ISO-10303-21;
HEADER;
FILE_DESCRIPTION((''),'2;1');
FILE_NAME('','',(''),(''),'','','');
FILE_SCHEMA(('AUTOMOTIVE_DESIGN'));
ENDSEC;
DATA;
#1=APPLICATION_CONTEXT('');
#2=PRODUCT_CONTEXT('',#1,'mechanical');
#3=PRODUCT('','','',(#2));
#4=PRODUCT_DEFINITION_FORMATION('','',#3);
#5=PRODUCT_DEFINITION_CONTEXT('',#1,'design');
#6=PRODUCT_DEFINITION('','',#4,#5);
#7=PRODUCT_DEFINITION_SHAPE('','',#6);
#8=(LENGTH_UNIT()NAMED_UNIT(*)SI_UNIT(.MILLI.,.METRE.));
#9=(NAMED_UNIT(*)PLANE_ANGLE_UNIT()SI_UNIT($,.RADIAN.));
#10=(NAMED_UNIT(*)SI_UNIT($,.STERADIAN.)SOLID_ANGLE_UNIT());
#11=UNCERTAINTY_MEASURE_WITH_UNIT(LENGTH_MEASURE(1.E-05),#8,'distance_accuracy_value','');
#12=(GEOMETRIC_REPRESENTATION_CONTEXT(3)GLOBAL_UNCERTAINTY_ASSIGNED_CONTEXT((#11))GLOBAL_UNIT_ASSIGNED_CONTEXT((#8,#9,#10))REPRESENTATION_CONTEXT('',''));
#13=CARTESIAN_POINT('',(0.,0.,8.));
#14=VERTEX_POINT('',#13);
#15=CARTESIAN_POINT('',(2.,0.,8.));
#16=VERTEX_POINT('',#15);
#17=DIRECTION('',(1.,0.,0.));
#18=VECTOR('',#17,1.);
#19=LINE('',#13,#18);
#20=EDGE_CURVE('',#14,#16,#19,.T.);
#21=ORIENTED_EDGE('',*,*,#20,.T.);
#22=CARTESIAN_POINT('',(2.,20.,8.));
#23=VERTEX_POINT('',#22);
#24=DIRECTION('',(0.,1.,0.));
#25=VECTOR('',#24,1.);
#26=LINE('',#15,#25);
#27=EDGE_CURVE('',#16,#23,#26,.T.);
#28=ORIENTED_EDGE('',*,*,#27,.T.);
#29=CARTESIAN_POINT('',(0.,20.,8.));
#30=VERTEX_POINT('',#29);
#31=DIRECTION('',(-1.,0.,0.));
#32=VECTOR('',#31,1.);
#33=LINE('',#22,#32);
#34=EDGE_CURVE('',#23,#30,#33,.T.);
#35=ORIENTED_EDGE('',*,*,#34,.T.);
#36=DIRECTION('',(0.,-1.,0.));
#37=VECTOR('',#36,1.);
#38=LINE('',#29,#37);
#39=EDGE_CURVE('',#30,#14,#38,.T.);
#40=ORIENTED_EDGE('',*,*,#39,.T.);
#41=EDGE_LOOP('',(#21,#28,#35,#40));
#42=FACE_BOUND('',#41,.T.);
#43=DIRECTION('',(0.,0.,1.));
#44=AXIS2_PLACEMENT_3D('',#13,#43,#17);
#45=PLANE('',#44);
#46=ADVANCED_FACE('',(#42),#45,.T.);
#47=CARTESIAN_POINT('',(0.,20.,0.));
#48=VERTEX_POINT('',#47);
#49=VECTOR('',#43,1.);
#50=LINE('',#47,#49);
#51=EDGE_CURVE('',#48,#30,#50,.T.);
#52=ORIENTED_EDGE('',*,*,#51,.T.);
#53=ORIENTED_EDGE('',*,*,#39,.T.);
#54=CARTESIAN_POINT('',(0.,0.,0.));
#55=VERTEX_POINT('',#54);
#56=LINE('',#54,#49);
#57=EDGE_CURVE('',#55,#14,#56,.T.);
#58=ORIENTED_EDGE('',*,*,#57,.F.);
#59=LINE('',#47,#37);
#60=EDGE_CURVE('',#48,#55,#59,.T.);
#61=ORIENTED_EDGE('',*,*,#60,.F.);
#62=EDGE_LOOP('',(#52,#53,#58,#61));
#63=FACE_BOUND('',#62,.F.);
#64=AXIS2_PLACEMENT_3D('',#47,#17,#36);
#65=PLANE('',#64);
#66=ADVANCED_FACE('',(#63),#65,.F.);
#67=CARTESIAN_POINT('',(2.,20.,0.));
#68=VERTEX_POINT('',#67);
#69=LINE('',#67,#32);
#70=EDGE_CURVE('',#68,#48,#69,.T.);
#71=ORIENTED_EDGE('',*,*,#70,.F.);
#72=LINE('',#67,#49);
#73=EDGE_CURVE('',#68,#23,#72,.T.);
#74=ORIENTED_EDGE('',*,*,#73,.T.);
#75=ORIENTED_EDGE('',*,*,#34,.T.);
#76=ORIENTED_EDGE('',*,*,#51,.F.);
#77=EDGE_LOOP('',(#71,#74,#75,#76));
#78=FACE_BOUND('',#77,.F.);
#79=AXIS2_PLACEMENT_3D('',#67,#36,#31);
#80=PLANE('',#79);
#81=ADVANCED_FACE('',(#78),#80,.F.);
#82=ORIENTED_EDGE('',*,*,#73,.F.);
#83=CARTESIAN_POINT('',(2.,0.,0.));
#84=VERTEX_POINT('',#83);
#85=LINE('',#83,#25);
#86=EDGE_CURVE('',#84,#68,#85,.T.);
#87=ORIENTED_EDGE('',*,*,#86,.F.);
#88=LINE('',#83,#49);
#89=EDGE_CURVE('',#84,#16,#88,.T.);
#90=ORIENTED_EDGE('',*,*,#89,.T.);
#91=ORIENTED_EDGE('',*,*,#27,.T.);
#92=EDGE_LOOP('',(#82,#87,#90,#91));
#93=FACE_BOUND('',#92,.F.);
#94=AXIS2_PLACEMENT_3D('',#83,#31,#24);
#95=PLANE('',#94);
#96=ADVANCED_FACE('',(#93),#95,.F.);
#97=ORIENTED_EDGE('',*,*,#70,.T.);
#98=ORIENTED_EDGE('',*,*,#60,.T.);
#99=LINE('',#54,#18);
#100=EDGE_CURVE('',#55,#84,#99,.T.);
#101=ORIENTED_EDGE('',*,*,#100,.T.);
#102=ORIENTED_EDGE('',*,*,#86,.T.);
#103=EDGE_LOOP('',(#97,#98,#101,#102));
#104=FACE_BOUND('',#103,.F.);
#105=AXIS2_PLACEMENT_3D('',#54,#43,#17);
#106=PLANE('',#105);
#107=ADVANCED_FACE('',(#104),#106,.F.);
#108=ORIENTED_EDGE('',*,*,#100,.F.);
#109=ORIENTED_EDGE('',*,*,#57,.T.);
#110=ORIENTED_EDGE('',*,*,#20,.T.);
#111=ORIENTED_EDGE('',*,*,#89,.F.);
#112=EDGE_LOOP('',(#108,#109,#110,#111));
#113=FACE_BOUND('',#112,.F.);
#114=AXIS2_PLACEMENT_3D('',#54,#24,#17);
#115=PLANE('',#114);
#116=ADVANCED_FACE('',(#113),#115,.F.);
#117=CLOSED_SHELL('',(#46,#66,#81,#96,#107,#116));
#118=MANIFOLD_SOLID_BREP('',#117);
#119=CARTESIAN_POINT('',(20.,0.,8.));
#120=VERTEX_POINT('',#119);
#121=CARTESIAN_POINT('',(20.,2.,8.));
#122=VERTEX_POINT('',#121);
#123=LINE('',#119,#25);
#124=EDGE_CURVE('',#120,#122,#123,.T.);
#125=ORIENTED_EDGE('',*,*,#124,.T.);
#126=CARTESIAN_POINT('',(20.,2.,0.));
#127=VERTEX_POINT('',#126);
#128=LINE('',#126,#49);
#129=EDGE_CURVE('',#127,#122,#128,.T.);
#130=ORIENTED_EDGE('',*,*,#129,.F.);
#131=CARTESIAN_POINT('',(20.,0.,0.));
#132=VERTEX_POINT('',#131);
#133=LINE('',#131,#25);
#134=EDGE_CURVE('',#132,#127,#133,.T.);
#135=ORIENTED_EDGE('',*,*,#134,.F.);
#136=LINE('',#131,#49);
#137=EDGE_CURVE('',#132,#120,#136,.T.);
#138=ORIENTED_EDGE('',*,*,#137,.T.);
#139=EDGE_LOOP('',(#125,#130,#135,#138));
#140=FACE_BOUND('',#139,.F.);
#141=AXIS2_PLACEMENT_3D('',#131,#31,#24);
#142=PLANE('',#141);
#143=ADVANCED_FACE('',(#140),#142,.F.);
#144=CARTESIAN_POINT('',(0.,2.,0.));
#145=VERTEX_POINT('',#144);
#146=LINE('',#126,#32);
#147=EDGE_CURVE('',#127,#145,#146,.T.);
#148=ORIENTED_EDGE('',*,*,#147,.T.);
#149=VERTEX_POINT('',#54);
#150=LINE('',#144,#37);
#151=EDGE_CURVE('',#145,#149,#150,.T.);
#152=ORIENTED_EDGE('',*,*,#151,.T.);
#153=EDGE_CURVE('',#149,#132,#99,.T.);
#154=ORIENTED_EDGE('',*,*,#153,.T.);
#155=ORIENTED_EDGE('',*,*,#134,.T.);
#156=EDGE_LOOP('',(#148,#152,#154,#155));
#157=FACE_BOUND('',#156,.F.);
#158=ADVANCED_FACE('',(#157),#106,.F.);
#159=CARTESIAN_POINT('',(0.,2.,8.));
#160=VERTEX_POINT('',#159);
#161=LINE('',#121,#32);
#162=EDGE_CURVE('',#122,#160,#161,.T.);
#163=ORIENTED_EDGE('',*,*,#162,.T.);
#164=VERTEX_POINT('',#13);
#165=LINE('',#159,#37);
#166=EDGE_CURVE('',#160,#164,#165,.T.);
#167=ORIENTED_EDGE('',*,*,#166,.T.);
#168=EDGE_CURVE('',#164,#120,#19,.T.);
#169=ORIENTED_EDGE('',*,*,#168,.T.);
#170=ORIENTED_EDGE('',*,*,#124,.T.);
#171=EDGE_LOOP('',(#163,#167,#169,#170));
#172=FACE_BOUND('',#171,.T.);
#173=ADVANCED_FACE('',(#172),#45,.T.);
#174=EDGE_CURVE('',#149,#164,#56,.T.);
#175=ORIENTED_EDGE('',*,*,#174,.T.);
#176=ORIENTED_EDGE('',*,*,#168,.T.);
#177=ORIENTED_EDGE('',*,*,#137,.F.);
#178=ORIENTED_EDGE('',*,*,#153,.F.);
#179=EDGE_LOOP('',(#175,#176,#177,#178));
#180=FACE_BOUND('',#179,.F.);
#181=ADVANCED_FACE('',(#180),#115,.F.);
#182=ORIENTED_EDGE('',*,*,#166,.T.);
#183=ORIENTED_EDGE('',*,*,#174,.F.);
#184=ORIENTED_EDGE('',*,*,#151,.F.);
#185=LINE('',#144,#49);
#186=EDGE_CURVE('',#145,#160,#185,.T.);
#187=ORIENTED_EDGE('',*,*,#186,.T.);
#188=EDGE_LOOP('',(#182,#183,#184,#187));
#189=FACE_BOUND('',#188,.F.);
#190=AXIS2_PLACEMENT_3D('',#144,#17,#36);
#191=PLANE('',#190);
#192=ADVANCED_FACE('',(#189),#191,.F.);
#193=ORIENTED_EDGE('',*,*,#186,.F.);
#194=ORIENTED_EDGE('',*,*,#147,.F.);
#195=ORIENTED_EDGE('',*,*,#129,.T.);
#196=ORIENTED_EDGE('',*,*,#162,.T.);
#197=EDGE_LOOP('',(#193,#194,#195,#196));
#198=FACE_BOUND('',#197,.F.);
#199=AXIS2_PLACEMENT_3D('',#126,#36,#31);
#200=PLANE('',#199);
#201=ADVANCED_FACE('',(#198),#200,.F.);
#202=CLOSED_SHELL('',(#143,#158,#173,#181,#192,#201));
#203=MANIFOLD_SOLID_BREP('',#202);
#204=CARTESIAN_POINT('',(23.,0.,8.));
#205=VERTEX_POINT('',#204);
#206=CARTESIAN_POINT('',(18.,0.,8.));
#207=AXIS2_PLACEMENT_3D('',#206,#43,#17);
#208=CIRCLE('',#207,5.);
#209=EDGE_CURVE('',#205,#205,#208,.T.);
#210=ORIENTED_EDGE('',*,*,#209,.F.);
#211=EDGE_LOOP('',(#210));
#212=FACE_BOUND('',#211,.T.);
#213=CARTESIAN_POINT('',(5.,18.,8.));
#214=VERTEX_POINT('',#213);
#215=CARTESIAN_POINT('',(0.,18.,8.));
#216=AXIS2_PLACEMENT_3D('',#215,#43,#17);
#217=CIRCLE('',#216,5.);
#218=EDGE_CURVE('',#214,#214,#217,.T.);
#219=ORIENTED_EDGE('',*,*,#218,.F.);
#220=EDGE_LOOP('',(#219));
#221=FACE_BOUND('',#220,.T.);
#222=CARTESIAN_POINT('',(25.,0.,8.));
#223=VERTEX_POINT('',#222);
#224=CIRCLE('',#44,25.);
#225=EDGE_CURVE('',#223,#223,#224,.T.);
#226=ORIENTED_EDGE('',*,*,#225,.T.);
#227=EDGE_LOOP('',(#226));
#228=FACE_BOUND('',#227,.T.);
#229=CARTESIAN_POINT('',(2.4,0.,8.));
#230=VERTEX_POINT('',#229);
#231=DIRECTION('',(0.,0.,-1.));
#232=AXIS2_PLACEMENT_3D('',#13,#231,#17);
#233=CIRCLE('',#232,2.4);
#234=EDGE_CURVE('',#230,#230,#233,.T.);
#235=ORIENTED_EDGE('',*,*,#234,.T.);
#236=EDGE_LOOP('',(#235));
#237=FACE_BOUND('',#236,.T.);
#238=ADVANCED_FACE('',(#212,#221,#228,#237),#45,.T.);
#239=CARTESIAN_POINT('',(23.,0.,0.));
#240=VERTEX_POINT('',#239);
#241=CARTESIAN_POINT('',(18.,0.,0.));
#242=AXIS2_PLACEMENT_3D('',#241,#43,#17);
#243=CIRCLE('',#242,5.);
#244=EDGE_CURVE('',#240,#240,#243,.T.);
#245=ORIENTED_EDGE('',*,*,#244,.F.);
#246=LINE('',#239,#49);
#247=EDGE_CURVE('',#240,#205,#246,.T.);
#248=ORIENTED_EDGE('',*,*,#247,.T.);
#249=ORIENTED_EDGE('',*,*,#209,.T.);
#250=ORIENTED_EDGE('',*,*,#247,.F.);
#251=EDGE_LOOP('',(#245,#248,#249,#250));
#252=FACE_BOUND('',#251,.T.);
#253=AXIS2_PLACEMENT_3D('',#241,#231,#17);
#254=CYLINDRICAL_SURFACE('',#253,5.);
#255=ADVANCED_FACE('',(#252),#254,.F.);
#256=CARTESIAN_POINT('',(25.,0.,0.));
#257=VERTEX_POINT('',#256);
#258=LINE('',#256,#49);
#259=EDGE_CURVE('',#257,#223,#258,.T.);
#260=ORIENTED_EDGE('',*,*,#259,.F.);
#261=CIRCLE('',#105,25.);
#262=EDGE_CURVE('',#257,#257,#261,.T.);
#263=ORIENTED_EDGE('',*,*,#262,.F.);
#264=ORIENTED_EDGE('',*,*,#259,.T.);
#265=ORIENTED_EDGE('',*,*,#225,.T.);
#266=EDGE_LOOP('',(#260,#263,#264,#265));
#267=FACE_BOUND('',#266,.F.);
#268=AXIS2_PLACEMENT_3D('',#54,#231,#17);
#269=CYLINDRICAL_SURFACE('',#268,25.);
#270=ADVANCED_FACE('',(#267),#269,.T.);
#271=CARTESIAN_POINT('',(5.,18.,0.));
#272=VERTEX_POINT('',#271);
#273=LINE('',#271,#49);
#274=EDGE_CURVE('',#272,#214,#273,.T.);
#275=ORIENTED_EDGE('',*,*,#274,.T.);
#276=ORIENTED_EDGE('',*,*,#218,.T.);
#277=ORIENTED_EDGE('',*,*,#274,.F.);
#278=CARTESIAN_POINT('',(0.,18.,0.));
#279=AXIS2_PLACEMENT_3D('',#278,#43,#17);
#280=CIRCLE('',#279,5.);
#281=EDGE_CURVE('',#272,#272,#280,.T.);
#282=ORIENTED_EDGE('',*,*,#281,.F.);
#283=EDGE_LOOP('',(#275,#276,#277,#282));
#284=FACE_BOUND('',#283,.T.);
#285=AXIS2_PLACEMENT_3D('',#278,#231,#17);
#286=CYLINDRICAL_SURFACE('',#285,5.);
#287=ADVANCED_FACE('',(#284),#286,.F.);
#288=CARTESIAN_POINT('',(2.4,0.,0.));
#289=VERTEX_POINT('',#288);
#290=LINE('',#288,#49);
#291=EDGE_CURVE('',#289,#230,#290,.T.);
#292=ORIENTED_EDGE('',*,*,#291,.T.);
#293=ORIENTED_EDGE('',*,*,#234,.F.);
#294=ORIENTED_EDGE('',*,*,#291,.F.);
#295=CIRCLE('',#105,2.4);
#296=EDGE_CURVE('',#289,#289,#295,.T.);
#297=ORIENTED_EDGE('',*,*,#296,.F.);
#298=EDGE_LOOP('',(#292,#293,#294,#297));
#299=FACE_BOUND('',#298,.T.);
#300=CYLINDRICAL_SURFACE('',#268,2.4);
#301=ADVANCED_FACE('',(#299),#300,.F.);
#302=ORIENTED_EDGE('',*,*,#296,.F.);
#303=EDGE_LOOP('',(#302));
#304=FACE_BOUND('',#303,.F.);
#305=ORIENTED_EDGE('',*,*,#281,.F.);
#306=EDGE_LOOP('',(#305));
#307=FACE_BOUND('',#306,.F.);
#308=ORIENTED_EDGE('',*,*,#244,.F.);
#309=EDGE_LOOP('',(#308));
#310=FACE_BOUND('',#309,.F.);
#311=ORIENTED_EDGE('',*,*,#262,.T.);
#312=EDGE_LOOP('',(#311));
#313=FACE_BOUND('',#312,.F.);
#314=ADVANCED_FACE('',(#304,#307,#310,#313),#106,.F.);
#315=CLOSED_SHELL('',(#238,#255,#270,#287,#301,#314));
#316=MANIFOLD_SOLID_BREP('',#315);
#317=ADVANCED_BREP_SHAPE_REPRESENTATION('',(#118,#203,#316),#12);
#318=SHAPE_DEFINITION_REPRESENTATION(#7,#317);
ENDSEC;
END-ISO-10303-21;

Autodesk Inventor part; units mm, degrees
ref_plane "YZ Plane" through (0, 0, 0) normal (1, 0, 0) x (0, 1, 0)
ref_plane "XZ Plane" through (0, 0, 0) normal (0, 1, 0) x (-1, 0, 0)
ref_plane "XY Plane" through (0, 0, 0) normal (0, 0, 1) x (1, 0, 0)
sketch "Skizze1" plane through (0, 0, 0) normal (0, 0, 1) x (1, 0, 0)
  circle A0 centre (0, 0) radius 25
extrude "Extrusion1" add sketch "Skizze1" along normal blind 8
sketch "Skizze2" plane through (0, 0, 0) normal (0, 0, 1) x (1, 0, 0)
  circle A0 centre (0, 0) radius 2.4
extrude "Extrusion2" cut sketch "Skizze2" along normal blind 9
sketch "Skizze3" plane through (0, 0, 0) normal (0, 0, 1) x (1, 0, 0)
  circle A0 centre (18, 0) radius 5
extrude "Extrusion3" cut sketch "Skizze3" along normal blind 8
sketch "Skizze4" plane through (0, 0, 0) normal (0, 0, 1) x (1, 0, 0)
  circle A0 centre (0, 18) radius 5
extrude "Extrusion4" cut sketch "Skizze4" along normal blind 8
sketch "Skizze5" plane through (0, 0, 0) normal (0, 0, 1) x (1, 0, 0)
  line L0 (0, 0) -> (2, 0)
  line L1 (2, 0) -> (2, 20)
  line L2 (2, 20) -> (0, 20)
  line L3 (0, 20) -> (0, 0)
extrude "Extrusion5" add sketch "Skizze5" along normal blind 8 separate body
sketch "Skizze6" plane through (0, 0, 0) normal (0, 0, 1) x (1, 0, 0)
  line L0 (0, 0) -> (20, 0)
  line L1 (20, 0) -> (20, 2)
  line L2 (20, 2) -> (0, 2)
  line L3 (0, 2) -> (0, 0)
extrude "Extrusion6" add sketch "Skizze6" along normal blind 8 separate body
properties part number "Kupplungsscheibe"
